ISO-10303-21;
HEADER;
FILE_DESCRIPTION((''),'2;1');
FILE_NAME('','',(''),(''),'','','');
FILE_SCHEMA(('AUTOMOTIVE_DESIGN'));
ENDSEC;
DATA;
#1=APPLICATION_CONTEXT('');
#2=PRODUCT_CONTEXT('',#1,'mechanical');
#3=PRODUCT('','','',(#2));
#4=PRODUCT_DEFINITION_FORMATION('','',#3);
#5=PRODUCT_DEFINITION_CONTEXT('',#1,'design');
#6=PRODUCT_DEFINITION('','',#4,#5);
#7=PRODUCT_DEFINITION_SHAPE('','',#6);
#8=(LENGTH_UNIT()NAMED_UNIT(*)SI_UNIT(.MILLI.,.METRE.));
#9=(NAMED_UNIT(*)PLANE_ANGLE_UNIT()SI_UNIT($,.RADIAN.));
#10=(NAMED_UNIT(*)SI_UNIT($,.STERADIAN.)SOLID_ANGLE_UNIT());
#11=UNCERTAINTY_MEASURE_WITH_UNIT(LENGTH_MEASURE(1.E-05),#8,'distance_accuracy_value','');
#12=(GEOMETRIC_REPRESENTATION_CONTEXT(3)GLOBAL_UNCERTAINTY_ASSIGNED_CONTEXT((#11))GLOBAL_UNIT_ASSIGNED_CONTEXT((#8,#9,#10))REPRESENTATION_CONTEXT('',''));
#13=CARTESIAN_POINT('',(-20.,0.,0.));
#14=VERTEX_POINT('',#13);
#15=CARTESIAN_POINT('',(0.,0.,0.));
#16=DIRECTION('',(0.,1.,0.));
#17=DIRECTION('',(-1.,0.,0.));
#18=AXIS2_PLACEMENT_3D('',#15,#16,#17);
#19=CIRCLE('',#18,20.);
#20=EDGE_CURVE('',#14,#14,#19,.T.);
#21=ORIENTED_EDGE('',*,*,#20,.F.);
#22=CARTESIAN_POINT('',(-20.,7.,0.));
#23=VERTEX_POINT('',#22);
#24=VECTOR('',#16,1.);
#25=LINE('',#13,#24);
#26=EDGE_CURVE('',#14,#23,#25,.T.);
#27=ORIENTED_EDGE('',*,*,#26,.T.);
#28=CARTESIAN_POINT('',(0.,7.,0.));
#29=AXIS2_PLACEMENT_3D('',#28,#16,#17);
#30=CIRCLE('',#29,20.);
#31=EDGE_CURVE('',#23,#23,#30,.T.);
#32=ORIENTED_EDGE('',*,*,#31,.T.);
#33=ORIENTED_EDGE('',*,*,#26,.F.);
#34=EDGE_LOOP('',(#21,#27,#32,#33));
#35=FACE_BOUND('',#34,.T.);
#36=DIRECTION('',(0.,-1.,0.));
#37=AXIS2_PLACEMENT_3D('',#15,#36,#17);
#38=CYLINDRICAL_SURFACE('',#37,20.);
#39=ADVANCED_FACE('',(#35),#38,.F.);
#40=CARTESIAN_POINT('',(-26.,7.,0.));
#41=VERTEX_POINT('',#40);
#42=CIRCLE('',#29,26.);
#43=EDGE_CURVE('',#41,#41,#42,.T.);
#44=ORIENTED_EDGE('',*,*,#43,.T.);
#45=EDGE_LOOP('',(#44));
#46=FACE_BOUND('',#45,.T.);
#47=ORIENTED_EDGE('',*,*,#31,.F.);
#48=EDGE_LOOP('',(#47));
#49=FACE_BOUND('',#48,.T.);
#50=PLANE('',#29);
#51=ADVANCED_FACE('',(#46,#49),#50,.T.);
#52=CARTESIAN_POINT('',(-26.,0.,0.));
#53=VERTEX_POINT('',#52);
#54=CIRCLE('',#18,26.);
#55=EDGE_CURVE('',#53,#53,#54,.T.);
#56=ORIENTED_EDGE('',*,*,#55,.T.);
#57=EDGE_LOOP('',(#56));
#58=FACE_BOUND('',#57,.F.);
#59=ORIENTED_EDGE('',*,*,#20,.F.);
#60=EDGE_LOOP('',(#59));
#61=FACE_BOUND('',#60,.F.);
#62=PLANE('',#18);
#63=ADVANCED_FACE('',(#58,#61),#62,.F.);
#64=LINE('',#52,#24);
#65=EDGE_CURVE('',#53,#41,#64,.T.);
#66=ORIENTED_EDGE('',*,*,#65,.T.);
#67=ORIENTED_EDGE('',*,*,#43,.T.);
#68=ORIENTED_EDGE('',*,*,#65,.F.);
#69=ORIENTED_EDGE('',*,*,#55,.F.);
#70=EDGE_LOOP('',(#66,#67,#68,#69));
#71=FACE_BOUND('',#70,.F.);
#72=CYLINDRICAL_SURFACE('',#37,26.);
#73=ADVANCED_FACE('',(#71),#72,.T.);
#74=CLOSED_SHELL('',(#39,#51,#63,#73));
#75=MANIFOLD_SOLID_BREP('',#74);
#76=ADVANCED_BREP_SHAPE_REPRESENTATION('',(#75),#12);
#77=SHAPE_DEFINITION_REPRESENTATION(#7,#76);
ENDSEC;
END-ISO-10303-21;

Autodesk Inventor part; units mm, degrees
ref_plane "YZ Plane" through (0, 0, 0) normal (1, 0, 0) x (0, 1, 0)
ref_plane "XZ Plane" through (0, 0, 0) normal (0, 1, 0) x (-1, 0, 0)
ref_plane "XY Plane" through (0, 0, 0) normal (0, 0, 1) x (1, 0, 0)
sketch "Sketch1" plane through (0, 0, 0) normal (0, 1, 0) x (-1, 0, 0)
  circle A0 centre (0, 0) radius 26
  circle A1 centre (0, 0) radius 20
  dimension "d0" = 52
  dimension "d1" = 40
extrude "Extrusion1" add sketch "Sketch1" along normal blind 7
properties part number "big_bearing"
